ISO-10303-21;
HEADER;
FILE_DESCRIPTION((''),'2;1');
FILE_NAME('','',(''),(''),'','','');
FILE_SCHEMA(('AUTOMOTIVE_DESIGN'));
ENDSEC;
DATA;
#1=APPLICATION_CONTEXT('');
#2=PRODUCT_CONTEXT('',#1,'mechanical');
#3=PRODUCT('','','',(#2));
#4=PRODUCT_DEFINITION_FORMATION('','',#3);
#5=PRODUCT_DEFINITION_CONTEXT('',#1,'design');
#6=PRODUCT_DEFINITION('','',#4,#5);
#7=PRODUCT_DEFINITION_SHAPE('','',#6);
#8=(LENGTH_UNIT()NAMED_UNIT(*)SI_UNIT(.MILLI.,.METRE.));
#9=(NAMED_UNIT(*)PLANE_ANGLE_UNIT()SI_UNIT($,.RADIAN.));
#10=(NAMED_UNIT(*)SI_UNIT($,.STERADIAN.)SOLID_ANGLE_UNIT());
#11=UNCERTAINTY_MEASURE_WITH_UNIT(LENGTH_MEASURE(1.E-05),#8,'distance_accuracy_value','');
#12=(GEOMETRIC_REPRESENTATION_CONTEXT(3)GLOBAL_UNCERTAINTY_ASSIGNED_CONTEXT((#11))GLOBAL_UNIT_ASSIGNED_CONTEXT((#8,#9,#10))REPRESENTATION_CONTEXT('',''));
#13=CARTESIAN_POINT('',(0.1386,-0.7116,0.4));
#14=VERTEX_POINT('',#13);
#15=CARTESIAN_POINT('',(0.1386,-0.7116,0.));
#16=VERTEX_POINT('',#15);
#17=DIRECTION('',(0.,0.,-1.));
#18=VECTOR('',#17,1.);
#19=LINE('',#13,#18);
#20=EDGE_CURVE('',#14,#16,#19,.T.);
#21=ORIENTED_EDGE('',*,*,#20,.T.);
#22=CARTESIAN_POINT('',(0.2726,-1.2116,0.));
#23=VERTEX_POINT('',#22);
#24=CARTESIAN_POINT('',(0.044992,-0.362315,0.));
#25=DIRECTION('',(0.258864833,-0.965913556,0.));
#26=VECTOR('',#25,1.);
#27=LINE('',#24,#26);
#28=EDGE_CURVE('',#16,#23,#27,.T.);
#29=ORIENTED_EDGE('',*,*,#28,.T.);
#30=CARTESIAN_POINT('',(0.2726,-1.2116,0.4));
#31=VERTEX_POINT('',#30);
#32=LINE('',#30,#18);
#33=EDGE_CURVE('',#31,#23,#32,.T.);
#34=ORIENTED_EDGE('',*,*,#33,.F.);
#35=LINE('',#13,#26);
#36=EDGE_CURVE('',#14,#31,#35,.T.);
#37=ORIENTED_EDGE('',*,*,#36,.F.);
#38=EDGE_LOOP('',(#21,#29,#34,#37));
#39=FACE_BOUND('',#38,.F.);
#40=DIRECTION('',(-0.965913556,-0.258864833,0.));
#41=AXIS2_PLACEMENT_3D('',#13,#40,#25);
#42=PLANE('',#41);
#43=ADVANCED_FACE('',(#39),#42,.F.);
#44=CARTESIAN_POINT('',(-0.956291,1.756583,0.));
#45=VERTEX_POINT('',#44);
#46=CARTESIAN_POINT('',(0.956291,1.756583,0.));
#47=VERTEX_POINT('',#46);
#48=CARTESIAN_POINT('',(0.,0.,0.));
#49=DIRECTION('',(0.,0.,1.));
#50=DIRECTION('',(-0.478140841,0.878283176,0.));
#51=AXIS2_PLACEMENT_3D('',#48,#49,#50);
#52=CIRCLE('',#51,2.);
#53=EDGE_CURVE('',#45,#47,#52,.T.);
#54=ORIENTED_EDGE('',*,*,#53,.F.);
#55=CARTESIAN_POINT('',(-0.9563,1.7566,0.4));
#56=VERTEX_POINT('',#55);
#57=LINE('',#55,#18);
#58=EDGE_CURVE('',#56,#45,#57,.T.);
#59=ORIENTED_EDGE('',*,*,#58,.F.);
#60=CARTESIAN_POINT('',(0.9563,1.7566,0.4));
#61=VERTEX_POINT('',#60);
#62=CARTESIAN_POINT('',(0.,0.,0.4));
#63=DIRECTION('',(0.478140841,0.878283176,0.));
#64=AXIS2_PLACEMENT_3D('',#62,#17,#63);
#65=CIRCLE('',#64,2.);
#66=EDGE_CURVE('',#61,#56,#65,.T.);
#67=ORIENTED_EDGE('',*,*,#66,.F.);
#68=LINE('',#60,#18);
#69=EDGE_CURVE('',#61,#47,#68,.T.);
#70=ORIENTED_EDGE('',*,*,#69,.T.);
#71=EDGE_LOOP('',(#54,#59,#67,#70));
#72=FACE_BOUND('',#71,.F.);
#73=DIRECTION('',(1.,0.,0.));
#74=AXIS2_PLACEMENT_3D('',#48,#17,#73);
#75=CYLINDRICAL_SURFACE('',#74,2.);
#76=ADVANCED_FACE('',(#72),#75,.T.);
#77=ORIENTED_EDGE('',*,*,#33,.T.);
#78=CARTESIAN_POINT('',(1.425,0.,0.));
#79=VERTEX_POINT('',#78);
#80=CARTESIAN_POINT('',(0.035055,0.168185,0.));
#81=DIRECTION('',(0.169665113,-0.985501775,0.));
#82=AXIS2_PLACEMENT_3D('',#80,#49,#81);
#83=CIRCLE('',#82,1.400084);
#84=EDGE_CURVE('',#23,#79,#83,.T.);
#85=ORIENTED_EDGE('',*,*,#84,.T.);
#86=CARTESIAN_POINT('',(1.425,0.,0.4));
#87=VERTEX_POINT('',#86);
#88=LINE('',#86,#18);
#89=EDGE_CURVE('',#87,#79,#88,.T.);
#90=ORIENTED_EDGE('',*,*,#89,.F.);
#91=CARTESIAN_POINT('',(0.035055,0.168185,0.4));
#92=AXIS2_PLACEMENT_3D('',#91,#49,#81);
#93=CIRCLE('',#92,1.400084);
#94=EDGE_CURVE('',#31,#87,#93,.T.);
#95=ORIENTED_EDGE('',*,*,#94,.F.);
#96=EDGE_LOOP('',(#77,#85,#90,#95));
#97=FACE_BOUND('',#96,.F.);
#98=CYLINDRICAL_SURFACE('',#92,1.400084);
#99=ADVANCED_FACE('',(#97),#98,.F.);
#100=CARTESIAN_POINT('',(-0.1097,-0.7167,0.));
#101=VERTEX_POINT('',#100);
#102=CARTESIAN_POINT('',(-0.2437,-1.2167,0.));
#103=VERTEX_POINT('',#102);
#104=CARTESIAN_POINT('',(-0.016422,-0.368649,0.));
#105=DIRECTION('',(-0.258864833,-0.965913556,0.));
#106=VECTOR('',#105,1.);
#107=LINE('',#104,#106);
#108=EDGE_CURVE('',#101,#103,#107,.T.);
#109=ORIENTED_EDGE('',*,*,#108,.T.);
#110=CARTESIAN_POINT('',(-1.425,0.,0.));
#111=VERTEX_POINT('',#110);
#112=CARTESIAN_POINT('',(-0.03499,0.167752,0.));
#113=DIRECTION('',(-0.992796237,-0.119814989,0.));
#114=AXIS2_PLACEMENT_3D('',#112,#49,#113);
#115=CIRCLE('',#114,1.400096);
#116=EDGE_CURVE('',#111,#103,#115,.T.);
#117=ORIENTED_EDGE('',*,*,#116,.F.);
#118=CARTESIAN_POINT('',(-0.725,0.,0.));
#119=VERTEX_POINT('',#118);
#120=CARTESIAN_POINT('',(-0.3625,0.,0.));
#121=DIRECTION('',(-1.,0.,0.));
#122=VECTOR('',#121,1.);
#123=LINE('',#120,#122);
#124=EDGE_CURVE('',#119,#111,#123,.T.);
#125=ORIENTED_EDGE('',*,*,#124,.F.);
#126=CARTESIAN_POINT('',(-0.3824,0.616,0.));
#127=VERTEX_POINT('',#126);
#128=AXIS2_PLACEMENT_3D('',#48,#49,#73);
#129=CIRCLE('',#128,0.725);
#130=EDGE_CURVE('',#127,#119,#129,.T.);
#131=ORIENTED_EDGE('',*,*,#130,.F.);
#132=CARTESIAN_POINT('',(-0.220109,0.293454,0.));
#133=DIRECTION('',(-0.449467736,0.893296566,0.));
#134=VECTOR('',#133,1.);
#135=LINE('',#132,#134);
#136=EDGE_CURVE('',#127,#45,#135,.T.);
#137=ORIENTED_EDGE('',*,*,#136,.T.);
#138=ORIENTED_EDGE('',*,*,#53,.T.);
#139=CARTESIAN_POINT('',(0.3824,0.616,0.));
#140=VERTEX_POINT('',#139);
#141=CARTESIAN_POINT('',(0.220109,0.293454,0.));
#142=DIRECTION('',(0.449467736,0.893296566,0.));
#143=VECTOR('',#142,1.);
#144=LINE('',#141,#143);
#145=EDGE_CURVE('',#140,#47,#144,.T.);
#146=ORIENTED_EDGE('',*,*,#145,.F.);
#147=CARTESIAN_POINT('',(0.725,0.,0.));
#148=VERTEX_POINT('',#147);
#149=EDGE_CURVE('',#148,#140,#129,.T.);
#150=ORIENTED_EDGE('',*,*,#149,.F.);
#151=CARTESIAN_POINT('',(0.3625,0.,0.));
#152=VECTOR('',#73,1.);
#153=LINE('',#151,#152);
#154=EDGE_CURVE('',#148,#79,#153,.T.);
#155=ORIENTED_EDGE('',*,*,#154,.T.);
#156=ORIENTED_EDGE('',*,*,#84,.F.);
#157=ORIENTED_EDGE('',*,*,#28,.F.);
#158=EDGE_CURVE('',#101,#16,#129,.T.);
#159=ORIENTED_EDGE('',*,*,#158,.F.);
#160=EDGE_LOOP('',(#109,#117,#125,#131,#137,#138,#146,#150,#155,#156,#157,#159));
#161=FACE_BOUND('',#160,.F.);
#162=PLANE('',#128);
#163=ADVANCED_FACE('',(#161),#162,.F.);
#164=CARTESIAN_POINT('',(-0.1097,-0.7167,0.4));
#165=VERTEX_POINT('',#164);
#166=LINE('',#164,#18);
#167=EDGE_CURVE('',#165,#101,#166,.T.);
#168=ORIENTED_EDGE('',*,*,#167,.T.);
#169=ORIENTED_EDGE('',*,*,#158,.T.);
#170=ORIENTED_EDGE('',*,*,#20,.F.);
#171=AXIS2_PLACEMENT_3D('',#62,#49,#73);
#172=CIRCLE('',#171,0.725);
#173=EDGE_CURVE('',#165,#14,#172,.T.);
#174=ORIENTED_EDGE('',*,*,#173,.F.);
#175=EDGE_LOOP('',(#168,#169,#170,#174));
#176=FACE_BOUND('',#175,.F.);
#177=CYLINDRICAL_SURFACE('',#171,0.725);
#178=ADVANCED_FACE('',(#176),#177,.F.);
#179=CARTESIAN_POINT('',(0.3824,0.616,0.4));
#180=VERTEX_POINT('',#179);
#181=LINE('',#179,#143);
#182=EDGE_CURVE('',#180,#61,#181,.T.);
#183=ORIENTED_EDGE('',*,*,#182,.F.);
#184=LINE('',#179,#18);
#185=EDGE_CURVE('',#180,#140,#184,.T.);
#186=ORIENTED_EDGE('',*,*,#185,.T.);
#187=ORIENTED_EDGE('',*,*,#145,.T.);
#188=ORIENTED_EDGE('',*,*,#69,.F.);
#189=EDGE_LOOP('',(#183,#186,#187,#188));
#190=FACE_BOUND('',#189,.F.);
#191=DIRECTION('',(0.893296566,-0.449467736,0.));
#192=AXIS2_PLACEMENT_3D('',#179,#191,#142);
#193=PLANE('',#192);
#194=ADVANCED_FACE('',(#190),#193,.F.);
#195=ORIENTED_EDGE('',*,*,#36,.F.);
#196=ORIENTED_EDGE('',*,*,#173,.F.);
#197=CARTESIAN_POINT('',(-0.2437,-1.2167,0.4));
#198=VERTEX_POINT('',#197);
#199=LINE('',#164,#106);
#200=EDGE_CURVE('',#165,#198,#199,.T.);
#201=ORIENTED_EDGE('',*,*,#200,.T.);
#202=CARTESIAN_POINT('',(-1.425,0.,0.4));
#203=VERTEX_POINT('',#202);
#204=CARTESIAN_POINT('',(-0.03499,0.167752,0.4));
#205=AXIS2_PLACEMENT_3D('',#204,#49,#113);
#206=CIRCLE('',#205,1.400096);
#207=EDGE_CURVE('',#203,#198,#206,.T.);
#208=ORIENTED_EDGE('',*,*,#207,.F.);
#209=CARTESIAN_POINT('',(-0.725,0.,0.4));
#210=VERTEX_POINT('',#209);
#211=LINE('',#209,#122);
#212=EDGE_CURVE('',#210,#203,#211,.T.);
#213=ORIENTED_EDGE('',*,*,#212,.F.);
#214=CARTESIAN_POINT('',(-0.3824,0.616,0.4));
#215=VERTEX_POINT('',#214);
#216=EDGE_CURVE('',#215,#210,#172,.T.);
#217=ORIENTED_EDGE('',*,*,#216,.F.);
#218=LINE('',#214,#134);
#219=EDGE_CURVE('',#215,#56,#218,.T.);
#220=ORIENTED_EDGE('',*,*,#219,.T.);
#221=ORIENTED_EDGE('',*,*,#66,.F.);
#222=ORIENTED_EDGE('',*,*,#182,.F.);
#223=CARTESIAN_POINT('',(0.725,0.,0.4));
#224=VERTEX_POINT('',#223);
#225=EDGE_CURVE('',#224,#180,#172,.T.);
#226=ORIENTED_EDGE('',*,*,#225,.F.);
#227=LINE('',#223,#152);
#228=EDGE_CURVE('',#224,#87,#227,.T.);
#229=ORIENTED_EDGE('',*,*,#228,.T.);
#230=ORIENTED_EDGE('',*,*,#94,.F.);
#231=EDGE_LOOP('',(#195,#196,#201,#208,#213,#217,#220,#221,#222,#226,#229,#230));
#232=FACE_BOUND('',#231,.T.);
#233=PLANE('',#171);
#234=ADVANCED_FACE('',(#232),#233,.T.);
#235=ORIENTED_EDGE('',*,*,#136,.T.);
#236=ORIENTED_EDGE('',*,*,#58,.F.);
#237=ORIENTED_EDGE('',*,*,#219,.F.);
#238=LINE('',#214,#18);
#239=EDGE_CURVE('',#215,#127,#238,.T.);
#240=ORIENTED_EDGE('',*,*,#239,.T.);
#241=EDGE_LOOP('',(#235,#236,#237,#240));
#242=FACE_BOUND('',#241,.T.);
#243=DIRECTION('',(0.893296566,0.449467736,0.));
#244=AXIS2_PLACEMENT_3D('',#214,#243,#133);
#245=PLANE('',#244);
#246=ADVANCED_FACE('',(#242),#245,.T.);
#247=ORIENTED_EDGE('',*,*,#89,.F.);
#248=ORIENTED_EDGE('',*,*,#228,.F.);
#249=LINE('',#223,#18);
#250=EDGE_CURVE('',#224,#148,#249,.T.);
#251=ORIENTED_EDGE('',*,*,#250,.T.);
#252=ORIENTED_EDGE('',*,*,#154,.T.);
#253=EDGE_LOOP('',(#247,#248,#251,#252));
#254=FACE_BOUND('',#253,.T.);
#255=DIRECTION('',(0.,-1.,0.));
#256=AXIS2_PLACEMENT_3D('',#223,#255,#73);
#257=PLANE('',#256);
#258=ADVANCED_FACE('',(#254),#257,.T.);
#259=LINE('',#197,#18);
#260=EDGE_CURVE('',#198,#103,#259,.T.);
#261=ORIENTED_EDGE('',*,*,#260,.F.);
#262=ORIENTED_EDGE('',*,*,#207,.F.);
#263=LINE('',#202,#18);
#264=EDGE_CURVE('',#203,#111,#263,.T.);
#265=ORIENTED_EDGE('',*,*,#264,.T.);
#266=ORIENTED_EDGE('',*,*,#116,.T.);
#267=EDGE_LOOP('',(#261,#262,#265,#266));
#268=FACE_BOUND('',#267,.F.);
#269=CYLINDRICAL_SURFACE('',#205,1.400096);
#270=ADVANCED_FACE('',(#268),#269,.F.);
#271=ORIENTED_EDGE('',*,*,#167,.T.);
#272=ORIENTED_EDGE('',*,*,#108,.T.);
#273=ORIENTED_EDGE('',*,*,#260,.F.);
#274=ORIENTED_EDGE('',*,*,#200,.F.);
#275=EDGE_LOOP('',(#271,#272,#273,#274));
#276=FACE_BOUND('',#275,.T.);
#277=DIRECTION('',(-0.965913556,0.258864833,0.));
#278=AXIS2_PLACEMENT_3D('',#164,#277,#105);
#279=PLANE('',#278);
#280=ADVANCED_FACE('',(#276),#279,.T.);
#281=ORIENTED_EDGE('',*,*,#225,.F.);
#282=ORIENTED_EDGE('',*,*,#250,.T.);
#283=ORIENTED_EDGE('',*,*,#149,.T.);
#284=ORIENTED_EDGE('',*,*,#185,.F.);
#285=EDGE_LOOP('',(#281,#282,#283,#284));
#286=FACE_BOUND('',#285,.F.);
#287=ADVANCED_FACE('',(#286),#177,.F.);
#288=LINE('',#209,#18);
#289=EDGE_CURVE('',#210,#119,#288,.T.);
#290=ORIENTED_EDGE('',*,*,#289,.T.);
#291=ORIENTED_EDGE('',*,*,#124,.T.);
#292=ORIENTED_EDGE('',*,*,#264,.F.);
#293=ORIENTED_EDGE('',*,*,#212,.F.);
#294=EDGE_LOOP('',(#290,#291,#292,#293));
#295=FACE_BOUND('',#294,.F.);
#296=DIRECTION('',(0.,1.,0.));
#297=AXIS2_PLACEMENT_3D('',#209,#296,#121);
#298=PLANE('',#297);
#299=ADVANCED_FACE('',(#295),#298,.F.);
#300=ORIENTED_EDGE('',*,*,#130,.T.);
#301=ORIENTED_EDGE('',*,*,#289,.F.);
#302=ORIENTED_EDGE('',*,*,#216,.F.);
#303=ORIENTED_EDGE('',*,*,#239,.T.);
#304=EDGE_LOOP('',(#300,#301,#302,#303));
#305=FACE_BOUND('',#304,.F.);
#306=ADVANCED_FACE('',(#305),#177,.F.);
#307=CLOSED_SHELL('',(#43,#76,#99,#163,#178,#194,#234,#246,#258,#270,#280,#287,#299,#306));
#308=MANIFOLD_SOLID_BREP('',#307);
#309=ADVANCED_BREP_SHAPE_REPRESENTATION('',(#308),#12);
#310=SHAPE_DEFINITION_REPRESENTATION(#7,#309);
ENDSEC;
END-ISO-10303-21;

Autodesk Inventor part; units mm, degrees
ref_plane "YZ Plane" through (0, 0, 0) normal (1, 0, 0) x (0, 1, 0)
ref_plane "XZ Plane" through (0, 0, 0) normal (0, 1, 0) x (-1, 0, 0)
ref_plane "XY Plane" through (0, 0, 0) normal (0, 0, 1) x (1, 0, 0)
sketch "Skizze1" plane through (0, 0, 0) normal (0, 0, 1) x (1, 0, 0)
  circle A0 centre (0, 0) radius 2
  dimension "d0" = 4
extrude "Extrusion1" add sketch "Skizze1" along normal blind 0.4
sketch "Skizze2" plane through (0, 0, 0.4) normal (0, 0, 1) x (1, 0, 0)
  circle A0 centre (0, 0) radius 0.725
  line L0 (-0.3824, 0.616) -> (-0.9563, 1.7566)
  circle A1 centre (0, 0) radius 2 projected
  line L1 (0.3824, 0.616) -> (0.9563, 1.7566)
  line L2 (-0.725, 0) -> (-1.425, 0)
  line L3 (-0.1097, -0.7167) -> (-0.2437, -1.2167)
  arc A2 (-1.425, 0) -> (-0.2437, -1.2167) centre (-0.0351, 0.1677) ccw
  line L4 (0.725, 0) -> (1.425, 0)
  line L5 (0.1386, -0.7116) -> (0.2726, -1.2116)
  arc A3 (0.2726, -1.2116) -> (1.425, 0) centre (0.0351, 0.1681) ccw
  line L6 (0, 0) -> (2, 0) construction
  line L7 (0, 0) -> (-2, 0) construction
  dimension "d3" = 1.45
  dimension "d4" = 1.4
  dimension "d5" = 1.4
  dimension "d6" = 75
  dimension "d7" = 75
  dimension "d8" = 0.7
  dimension "d9" = 0.7
  dimension "d10" = 0.5
  dimension "d11" = 0.5
extrude "Extrusion2" cut sketch "Skizze2" against normal through all contours A0 | L4 A3 L5 A0 | A0 L0 A1 L1 | L3 A2 L2 A0
equation "\"d5\" = d4"
equation "\"d7\" = d6"
equation "\"d9\" = d8"
equation "\"d11\" = d10"
properties part number "clamp_ring" material "Stahl, geschmiedet"
